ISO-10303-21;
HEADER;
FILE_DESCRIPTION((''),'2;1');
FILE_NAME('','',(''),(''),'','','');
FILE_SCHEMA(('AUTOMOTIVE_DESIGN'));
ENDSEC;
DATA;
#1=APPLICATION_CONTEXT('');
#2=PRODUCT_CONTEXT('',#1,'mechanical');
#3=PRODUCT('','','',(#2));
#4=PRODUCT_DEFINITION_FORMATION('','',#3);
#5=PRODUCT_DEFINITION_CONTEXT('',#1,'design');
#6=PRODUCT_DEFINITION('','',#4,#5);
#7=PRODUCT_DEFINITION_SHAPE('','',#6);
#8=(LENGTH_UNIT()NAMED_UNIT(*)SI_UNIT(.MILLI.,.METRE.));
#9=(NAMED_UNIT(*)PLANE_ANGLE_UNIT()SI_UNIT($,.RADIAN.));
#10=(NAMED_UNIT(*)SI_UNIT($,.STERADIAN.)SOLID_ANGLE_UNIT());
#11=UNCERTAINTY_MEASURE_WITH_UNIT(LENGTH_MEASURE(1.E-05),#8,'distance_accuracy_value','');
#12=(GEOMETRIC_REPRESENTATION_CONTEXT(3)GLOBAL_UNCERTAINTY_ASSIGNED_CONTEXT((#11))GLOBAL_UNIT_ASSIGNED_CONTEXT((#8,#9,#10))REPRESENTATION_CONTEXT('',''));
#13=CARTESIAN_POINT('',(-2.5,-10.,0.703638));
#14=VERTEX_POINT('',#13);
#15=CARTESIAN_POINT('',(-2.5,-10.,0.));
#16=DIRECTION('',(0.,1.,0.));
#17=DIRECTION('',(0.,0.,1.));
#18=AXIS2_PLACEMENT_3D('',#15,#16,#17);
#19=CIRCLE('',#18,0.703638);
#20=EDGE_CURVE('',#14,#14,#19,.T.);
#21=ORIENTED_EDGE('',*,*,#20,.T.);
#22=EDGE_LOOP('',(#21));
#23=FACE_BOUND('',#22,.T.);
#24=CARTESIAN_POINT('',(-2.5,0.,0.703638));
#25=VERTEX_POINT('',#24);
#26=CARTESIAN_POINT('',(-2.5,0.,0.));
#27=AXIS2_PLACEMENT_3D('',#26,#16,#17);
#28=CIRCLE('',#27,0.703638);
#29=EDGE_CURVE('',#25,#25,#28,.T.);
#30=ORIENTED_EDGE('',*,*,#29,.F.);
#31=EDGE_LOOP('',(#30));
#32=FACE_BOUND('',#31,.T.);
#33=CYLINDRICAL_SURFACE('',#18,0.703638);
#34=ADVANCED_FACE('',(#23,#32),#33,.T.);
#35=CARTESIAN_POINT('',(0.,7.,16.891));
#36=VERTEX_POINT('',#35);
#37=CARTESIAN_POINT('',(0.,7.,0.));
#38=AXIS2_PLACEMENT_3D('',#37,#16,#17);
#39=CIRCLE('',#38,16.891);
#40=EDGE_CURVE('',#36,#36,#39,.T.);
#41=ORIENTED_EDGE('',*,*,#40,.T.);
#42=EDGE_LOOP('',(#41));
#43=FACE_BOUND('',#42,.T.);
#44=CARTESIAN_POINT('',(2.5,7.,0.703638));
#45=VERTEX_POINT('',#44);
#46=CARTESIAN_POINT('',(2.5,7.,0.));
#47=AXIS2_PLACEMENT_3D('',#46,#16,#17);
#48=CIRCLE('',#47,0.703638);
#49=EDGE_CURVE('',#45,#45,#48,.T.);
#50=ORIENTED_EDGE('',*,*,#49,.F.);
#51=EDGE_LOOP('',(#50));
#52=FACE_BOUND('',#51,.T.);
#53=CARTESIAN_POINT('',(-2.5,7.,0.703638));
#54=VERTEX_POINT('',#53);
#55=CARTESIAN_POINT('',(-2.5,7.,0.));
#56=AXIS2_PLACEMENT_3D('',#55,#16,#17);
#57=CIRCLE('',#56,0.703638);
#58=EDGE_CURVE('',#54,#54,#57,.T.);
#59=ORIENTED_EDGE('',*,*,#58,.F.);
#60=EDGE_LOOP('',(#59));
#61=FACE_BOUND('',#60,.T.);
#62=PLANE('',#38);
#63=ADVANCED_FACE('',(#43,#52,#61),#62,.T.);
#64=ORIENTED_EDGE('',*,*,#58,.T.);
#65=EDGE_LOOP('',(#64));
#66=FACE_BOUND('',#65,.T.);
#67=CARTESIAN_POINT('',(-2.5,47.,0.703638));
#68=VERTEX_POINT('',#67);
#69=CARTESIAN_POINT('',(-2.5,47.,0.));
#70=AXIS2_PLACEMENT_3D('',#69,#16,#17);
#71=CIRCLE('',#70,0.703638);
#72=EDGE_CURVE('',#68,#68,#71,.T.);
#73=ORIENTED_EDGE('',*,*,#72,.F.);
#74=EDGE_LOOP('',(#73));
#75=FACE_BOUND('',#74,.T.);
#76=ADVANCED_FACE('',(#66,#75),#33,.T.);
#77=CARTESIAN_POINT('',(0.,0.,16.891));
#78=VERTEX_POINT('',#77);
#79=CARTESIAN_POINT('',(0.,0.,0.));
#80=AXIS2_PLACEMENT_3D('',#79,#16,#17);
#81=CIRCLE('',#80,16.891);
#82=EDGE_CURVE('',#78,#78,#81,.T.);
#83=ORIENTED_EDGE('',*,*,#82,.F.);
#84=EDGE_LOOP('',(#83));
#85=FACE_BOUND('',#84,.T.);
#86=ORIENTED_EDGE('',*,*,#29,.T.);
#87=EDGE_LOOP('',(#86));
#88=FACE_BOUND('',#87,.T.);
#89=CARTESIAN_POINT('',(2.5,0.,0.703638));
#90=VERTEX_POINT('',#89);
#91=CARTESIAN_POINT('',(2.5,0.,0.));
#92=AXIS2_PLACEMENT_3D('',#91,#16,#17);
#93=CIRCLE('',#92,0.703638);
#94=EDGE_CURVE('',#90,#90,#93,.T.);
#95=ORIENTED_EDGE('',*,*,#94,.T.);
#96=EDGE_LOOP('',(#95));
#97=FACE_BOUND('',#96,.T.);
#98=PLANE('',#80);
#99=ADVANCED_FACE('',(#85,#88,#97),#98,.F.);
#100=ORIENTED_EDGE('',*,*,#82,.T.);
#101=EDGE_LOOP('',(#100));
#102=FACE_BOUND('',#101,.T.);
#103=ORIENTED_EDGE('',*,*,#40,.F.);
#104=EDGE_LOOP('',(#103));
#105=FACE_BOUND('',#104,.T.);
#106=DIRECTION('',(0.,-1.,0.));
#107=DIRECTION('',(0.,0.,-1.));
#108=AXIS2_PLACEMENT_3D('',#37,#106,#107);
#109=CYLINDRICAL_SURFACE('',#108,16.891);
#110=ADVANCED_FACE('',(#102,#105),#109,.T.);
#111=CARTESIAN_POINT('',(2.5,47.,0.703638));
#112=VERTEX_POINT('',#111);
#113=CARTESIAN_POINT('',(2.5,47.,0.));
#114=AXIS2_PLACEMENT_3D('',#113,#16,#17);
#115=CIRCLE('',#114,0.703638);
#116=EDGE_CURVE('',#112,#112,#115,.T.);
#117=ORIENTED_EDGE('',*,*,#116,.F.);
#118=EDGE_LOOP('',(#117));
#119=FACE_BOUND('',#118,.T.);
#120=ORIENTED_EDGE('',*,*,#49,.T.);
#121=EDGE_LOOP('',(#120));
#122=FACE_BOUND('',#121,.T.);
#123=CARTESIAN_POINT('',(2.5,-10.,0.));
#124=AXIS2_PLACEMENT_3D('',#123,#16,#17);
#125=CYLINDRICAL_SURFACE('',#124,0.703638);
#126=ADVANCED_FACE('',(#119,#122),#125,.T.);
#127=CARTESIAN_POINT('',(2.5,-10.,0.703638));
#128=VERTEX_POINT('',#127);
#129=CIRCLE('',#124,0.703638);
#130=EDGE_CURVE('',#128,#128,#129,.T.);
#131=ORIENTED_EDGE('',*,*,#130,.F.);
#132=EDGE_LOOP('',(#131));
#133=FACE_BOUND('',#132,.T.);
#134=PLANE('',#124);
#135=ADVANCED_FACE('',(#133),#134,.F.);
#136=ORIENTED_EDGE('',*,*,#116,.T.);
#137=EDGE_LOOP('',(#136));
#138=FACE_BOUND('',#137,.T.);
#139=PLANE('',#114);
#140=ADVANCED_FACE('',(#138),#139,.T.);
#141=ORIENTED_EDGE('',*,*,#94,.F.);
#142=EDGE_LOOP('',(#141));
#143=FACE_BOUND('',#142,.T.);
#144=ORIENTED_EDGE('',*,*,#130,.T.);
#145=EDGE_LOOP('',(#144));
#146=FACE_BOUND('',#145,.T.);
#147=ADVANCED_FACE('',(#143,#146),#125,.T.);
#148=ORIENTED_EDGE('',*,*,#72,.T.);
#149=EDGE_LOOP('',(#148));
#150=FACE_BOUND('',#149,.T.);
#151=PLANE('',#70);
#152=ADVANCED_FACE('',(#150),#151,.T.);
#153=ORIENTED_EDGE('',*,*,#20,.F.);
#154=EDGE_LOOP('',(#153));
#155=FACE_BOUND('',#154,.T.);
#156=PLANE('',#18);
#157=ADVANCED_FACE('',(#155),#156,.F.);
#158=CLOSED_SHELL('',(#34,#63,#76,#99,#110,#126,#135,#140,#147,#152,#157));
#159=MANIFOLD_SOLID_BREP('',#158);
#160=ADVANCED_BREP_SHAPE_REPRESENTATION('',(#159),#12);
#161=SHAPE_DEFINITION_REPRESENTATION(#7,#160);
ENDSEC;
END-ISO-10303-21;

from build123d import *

# Parameters (mm, degrees)
SKETCH2_R                = 16.891
BOSS_EXTRUDE1_DEPTH      = 7
BOSS_EXTRUDE2_DEPTH      = 40
BOSS_EXTRUDE2_DEPTH_BACK = 17
SKETCH3_R                = 0.703637869


with BuildPart() as part:
    # Sketch2 → Boss-Extrude1 (new body)
    with BuildSketch(Plane(origin=(0, 0, 0), x_dir=(1, 0, 0), z_dir=(0, 1, 0))):
        with Locations(Location((0, 0, 0), (0, 0, 270))):
            Circle(SKETCH2_R)
    extrude(amount=BOSS_EXTRUDE1_DEPTH)

    # Sketch3 → Boss-Extrude2 (add, two sides: drawn at the far end of the back side and taken through both)
    with BuildSketch(Plane(origin=(0, 7, 0), x_dir=(1, 0, 0), z_dir=(0, 1, 0)).offset(-BOSS_EXTRUDE2_DEPTH_BACK)):
        with Locations(Location((-2.5, 0, 0), (0, 0, 270))):
            Circle(SKETCH3_R)
        with Locations(Location((2.5, 0, 0), (0, 0, 270))):
            Circle(SKETCH3_R)
    extrude(amount=BOSS_EXTRUDE2_DEPTH + BOSS_EXTRUDE2_DEPTH_BACK)


solid = part.part
